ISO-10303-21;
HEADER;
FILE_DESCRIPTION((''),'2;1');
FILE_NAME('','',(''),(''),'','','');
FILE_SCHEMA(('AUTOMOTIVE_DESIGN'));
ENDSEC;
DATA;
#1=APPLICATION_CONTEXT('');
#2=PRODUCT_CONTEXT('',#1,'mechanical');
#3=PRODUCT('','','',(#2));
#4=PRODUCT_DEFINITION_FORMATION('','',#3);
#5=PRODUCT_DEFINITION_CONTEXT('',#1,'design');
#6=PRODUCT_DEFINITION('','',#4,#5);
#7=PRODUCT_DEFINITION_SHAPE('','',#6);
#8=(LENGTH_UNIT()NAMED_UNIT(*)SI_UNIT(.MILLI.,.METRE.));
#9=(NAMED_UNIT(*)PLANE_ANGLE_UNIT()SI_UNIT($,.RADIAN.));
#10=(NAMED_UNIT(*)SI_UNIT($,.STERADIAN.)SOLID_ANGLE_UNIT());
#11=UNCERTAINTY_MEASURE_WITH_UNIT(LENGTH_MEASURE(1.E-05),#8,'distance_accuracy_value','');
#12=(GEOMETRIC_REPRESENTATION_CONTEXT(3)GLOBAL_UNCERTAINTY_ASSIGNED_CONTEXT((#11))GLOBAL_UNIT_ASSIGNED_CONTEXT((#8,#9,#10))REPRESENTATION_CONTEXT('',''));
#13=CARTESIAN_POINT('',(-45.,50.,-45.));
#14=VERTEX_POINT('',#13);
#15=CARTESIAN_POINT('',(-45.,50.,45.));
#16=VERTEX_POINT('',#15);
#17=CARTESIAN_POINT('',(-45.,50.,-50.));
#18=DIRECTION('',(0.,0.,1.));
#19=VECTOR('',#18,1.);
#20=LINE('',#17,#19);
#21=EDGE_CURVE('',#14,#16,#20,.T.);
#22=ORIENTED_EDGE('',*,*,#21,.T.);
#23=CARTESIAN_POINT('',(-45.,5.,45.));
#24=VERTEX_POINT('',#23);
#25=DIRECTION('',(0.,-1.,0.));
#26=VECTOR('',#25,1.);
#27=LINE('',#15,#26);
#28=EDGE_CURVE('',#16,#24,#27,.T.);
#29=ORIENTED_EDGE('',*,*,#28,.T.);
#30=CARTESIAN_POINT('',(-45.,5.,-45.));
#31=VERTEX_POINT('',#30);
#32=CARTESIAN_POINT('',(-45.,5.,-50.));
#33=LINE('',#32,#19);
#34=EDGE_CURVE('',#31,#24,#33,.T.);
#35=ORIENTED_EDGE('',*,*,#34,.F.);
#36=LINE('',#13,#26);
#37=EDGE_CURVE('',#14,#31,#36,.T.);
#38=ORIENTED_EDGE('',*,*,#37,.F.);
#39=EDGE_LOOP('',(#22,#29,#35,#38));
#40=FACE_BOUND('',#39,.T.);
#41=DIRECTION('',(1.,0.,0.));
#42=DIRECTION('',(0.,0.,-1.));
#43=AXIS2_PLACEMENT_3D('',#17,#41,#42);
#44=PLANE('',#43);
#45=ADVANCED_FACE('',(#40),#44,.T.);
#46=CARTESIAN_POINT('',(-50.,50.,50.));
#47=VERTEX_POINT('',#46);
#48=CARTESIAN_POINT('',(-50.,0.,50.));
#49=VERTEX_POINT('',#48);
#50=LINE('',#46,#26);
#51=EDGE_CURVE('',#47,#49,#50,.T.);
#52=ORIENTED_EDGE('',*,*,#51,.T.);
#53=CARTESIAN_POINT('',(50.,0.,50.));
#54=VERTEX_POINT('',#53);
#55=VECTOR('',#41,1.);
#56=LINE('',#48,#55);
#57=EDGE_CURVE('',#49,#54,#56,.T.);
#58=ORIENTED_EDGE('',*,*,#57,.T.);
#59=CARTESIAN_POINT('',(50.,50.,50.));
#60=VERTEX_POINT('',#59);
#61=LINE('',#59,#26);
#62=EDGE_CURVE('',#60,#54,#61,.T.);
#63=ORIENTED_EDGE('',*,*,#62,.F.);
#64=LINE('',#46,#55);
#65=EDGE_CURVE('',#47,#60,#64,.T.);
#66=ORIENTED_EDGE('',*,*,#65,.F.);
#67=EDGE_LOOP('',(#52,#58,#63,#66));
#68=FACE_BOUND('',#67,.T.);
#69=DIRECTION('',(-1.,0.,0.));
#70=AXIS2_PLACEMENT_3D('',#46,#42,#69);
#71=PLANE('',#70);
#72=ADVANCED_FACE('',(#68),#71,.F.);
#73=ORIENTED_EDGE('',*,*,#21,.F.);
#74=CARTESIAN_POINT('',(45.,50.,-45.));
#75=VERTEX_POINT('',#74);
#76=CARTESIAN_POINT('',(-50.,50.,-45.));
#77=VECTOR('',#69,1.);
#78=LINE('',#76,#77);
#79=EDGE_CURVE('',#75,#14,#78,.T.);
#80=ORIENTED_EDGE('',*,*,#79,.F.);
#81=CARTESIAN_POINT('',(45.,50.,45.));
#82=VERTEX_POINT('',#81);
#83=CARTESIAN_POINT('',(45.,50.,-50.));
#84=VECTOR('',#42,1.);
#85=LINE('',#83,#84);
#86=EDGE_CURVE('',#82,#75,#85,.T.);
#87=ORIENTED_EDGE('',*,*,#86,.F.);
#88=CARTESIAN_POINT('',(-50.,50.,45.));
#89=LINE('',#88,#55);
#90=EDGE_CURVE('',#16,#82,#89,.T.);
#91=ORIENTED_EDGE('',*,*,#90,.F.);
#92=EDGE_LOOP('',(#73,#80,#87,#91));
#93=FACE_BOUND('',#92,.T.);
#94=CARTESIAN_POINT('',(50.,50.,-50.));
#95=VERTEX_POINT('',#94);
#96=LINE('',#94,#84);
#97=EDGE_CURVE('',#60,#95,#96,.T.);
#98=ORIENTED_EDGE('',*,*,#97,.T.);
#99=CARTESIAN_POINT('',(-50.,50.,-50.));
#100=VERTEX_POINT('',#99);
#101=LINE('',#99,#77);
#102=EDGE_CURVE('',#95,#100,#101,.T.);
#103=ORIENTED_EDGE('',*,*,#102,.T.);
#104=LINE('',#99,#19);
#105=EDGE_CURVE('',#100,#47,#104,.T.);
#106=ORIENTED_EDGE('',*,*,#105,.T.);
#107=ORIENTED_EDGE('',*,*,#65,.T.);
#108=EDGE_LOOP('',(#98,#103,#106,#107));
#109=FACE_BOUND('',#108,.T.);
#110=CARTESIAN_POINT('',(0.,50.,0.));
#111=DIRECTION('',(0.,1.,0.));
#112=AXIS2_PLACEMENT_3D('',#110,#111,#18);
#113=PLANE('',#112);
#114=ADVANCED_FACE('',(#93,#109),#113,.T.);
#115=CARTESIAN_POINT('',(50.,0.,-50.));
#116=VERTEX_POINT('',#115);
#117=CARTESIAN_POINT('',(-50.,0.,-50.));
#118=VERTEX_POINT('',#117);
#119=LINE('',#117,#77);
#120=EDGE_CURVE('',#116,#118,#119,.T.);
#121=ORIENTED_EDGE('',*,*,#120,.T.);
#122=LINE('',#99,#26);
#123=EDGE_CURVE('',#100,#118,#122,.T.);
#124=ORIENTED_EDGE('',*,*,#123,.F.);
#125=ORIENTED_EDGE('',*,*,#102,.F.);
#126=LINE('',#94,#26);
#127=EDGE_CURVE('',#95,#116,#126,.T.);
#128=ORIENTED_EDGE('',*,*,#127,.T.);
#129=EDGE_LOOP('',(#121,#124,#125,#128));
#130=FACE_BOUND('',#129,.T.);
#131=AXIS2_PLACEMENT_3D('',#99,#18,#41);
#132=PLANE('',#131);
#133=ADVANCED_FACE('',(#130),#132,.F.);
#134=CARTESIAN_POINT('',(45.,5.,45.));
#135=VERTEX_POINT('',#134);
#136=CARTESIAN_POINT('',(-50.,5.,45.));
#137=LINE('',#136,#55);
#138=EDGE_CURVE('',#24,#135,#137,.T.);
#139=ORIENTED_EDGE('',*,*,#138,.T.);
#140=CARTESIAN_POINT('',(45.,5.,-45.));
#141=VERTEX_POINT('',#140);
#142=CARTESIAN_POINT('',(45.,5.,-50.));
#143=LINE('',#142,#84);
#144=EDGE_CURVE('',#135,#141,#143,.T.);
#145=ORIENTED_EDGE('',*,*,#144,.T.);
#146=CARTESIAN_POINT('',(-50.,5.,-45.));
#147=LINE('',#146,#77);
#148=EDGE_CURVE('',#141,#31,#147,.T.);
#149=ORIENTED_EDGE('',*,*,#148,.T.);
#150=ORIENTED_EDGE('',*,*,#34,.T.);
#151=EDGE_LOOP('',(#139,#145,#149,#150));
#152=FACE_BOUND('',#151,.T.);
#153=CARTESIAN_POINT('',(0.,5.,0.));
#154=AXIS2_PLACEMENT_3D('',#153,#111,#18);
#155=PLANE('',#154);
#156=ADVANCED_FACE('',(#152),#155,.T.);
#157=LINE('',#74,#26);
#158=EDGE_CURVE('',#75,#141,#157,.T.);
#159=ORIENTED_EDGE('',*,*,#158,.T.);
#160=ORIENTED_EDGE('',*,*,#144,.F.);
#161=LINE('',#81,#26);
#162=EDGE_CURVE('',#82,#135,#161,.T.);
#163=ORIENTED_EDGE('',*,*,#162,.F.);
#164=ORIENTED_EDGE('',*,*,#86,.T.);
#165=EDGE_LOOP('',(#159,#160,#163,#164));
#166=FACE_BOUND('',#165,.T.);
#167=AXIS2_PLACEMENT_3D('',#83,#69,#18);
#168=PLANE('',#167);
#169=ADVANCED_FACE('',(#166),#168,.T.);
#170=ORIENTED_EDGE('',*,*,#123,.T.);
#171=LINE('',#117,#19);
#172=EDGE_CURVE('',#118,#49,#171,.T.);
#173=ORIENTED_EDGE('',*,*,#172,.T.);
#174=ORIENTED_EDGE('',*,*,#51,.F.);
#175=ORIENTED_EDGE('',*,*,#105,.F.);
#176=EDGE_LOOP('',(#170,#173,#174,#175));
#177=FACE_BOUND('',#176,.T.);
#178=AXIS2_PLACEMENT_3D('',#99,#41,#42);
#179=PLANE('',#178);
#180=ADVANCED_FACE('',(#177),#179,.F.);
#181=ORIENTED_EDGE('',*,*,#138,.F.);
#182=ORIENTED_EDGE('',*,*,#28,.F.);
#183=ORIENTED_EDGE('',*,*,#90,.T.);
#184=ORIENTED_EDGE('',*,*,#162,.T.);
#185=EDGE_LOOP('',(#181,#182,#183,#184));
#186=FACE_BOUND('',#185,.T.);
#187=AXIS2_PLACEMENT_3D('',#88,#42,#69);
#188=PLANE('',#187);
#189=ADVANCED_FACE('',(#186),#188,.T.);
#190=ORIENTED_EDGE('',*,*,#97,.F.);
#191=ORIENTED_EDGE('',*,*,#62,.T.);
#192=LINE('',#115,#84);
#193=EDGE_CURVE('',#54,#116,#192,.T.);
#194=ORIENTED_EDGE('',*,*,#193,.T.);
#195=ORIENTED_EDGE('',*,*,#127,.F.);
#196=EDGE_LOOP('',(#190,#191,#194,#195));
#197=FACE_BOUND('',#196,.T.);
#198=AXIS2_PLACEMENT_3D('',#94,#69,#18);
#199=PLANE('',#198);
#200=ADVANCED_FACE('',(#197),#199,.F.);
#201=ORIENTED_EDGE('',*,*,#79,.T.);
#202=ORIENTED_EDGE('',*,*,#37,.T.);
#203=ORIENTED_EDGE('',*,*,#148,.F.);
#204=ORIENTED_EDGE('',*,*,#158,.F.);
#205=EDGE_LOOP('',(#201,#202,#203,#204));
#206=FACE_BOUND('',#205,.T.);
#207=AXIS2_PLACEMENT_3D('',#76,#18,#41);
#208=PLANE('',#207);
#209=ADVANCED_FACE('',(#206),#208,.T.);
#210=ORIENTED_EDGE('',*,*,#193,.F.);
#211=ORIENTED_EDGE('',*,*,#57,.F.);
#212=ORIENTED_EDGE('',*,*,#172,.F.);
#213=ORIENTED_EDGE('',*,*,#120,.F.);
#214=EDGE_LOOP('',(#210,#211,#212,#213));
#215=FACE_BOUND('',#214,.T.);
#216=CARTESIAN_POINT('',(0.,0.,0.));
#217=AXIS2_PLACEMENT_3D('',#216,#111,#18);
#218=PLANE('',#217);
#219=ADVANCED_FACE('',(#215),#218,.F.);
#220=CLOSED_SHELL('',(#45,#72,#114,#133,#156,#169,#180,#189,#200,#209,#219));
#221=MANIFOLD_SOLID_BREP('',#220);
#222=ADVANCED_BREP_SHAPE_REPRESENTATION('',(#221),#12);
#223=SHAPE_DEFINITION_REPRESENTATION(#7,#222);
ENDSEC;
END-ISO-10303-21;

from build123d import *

# Parameters (mm, degrees)
SKETCH1_W           = 100
SKETCH1_H           = 100
BOSS_EXTRUDE1_DEPTH = 50
SHELL1_T            = -5


with BuildPart() as part:
    # Sketch1 → Boss-Extrude1 (new body)
    with BuildSketch(Plane(origin=(0, 0, 0), x_dir=(1, 0, 0), z_dir=(0, 1, 0))):
        Rectangle(SKETCH1_W, SKETCH1_H)
    extrude(amount=BOSS_EXTRUDE1_DEPTH)

    # Shell1
    shell1_openings = [part.faces().sort_by_distance(p)[0] for p in [
        (0, 50, 0),
    ]]
    offset(amount=SHELL1_T, openings=shell1_openings, kind=Kind.INTERSECTION)


solid = part.part
